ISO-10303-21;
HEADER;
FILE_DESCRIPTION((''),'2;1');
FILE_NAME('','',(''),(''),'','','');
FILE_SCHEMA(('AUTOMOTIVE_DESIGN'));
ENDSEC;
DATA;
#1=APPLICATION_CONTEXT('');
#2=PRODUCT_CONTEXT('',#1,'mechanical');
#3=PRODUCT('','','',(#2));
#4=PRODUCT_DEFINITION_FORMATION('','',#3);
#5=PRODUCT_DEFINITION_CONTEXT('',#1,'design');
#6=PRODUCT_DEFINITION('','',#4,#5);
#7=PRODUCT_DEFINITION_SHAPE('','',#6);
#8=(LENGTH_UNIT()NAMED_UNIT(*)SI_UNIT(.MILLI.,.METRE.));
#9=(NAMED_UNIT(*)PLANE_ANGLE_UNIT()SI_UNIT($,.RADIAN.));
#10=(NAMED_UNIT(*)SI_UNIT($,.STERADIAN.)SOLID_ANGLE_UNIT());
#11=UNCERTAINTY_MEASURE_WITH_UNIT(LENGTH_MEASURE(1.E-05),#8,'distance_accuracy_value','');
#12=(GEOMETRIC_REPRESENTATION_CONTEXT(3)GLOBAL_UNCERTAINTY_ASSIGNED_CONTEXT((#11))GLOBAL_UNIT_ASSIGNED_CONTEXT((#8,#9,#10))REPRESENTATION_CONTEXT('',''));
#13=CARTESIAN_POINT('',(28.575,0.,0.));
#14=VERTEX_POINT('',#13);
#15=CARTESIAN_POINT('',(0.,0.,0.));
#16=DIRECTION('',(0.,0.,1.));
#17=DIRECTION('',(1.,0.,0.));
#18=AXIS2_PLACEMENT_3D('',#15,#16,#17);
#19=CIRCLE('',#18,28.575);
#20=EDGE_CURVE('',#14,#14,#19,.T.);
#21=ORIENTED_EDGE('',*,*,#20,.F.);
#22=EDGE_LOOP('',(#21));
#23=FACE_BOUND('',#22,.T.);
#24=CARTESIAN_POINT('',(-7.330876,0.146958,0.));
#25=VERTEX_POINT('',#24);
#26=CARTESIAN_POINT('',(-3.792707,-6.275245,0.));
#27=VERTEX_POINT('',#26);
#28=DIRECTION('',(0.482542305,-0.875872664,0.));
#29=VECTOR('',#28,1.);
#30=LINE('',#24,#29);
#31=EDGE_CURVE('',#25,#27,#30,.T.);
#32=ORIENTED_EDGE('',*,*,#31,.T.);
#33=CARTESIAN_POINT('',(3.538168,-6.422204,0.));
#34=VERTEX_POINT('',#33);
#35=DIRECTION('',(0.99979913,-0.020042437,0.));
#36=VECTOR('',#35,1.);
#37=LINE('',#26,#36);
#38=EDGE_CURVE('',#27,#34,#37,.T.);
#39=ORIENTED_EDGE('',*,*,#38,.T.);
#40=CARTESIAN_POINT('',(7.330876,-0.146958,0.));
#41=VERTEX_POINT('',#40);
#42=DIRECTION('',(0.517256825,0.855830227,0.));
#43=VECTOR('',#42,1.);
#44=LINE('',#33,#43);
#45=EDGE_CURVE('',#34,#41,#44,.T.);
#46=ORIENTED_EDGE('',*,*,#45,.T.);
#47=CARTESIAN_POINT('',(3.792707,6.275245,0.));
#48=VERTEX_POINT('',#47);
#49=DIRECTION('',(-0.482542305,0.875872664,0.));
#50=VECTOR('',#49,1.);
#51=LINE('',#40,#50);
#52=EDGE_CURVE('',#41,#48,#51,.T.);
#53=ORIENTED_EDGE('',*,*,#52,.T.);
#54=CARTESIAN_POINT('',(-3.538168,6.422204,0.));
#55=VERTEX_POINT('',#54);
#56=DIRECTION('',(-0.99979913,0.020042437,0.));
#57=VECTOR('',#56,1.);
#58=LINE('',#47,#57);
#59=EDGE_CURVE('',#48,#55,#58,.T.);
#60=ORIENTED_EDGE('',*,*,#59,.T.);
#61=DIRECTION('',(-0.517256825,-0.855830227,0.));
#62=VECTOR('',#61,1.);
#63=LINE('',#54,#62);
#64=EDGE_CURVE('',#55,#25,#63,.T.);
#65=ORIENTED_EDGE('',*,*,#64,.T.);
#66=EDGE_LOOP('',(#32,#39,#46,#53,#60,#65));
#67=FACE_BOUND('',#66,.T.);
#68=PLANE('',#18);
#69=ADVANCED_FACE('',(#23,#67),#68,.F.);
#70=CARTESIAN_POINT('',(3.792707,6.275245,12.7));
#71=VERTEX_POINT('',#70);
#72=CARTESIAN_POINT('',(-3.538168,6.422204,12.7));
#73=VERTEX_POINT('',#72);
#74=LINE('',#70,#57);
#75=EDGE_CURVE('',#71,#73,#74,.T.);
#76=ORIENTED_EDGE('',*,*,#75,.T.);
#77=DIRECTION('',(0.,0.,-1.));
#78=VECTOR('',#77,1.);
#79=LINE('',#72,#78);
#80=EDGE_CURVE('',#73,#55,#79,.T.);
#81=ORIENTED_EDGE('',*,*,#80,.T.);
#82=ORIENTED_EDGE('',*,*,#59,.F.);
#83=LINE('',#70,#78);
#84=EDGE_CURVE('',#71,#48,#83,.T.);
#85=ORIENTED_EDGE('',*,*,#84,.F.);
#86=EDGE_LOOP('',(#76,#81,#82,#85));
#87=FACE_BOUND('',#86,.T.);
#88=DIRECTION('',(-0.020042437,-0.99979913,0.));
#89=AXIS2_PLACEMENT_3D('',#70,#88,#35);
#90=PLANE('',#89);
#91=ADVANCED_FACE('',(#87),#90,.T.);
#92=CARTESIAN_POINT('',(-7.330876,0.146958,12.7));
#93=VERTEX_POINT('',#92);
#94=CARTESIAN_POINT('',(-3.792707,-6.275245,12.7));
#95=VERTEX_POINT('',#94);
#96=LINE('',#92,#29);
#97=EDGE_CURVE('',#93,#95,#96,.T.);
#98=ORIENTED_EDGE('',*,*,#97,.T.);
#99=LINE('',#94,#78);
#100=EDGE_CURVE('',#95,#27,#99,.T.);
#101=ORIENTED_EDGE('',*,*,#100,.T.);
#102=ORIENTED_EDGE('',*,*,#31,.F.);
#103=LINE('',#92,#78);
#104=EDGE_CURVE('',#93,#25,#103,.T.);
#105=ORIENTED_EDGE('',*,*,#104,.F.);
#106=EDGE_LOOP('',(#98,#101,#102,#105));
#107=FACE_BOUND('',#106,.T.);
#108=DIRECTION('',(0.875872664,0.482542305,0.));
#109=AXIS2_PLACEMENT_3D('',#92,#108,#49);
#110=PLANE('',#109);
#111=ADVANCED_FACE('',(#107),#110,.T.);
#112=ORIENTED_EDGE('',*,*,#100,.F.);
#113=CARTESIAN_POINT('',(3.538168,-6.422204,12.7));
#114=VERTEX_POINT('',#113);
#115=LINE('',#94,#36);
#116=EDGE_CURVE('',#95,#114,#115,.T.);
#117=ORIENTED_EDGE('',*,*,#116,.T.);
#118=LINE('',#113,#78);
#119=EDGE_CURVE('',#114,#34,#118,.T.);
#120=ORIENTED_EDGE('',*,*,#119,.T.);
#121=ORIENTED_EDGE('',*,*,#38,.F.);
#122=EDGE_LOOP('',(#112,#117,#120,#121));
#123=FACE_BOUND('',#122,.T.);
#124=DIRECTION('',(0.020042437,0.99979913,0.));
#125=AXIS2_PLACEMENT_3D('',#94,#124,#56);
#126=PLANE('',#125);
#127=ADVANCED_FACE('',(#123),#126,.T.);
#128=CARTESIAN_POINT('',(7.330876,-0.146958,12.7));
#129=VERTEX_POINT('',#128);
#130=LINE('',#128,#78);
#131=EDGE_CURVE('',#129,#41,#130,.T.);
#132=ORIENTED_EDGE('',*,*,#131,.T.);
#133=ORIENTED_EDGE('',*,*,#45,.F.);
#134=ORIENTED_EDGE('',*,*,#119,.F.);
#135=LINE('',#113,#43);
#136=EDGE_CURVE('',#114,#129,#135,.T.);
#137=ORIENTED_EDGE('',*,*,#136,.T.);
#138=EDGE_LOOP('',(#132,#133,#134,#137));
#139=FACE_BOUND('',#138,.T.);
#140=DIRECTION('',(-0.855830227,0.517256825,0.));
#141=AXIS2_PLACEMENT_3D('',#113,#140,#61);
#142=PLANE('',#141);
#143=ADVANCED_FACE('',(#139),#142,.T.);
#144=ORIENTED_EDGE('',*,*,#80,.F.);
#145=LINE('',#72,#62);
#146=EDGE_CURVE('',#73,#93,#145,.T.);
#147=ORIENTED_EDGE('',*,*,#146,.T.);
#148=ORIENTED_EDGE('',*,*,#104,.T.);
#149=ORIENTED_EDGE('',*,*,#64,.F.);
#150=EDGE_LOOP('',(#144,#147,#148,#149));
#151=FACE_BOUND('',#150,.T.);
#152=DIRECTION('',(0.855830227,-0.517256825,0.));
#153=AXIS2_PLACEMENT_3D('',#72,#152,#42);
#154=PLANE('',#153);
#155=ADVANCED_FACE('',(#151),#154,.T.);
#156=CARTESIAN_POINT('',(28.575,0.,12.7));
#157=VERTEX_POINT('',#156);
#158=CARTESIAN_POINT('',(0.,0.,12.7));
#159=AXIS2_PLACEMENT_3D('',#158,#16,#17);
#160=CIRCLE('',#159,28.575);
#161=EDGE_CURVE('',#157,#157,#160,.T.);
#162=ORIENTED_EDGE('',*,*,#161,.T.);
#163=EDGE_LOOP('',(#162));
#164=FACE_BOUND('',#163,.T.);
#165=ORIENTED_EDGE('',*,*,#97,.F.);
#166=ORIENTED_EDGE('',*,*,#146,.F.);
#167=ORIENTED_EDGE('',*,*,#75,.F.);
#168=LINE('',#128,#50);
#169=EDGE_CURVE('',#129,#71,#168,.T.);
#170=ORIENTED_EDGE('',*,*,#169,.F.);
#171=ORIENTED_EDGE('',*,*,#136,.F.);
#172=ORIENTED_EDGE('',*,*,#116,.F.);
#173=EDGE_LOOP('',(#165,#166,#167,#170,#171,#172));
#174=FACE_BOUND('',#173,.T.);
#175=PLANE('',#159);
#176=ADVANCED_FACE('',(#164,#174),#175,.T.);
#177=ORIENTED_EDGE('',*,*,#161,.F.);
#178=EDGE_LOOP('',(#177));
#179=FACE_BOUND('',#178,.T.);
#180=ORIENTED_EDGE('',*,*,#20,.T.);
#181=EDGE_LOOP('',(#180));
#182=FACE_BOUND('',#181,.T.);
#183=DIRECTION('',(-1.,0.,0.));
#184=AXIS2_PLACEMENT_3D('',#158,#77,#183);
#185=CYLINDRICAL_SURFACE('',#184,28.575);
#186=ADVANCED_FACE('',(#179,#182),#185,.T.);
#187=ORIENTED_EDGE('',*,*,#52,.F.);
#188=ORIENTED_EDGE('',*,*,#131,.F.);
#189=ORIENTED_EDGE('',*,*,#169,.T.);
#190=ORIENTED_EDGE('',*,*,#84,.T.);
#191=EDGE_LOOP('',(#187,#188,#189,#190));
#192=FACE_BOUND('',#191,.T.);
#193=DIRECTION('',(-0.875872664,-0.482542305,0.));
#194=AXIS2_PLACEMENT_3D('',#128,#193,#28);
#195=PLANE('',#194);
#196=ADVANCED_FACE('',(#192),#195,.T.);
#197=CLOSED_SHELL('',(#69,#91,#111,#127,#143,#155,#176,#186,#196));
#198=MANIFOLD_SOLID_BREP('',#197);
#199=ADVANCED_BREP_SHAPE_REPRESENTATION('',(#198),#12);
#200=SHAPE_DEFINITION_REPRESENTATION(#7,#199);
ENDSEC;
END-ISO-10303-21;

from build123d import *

# Parameters (mm, degrees)
SKETCH1_R           = 28.575
BOSS_EXTRUDE1_DEPTH = 12.7


with BuildPart() as part:
    # Sketch1 → Boss-Extrude1 (new body)
    with BuildSketch(Plane.XY):
        Circle(SKETCH1_R)
        Polygon((3.538168309, -6.422203543), (7.330875571, -0.146958133), (3.792707262, 6.27524541), (-3.538168309, 6.422203543), (-7.330875571, 0.146958133), (-3.792707262, -6.27524541), align=None, mode=Mode.SUBTRACT)
    extrude(amount=BOSS_EXTRUDE1_DEPTH)


solid = part.part
